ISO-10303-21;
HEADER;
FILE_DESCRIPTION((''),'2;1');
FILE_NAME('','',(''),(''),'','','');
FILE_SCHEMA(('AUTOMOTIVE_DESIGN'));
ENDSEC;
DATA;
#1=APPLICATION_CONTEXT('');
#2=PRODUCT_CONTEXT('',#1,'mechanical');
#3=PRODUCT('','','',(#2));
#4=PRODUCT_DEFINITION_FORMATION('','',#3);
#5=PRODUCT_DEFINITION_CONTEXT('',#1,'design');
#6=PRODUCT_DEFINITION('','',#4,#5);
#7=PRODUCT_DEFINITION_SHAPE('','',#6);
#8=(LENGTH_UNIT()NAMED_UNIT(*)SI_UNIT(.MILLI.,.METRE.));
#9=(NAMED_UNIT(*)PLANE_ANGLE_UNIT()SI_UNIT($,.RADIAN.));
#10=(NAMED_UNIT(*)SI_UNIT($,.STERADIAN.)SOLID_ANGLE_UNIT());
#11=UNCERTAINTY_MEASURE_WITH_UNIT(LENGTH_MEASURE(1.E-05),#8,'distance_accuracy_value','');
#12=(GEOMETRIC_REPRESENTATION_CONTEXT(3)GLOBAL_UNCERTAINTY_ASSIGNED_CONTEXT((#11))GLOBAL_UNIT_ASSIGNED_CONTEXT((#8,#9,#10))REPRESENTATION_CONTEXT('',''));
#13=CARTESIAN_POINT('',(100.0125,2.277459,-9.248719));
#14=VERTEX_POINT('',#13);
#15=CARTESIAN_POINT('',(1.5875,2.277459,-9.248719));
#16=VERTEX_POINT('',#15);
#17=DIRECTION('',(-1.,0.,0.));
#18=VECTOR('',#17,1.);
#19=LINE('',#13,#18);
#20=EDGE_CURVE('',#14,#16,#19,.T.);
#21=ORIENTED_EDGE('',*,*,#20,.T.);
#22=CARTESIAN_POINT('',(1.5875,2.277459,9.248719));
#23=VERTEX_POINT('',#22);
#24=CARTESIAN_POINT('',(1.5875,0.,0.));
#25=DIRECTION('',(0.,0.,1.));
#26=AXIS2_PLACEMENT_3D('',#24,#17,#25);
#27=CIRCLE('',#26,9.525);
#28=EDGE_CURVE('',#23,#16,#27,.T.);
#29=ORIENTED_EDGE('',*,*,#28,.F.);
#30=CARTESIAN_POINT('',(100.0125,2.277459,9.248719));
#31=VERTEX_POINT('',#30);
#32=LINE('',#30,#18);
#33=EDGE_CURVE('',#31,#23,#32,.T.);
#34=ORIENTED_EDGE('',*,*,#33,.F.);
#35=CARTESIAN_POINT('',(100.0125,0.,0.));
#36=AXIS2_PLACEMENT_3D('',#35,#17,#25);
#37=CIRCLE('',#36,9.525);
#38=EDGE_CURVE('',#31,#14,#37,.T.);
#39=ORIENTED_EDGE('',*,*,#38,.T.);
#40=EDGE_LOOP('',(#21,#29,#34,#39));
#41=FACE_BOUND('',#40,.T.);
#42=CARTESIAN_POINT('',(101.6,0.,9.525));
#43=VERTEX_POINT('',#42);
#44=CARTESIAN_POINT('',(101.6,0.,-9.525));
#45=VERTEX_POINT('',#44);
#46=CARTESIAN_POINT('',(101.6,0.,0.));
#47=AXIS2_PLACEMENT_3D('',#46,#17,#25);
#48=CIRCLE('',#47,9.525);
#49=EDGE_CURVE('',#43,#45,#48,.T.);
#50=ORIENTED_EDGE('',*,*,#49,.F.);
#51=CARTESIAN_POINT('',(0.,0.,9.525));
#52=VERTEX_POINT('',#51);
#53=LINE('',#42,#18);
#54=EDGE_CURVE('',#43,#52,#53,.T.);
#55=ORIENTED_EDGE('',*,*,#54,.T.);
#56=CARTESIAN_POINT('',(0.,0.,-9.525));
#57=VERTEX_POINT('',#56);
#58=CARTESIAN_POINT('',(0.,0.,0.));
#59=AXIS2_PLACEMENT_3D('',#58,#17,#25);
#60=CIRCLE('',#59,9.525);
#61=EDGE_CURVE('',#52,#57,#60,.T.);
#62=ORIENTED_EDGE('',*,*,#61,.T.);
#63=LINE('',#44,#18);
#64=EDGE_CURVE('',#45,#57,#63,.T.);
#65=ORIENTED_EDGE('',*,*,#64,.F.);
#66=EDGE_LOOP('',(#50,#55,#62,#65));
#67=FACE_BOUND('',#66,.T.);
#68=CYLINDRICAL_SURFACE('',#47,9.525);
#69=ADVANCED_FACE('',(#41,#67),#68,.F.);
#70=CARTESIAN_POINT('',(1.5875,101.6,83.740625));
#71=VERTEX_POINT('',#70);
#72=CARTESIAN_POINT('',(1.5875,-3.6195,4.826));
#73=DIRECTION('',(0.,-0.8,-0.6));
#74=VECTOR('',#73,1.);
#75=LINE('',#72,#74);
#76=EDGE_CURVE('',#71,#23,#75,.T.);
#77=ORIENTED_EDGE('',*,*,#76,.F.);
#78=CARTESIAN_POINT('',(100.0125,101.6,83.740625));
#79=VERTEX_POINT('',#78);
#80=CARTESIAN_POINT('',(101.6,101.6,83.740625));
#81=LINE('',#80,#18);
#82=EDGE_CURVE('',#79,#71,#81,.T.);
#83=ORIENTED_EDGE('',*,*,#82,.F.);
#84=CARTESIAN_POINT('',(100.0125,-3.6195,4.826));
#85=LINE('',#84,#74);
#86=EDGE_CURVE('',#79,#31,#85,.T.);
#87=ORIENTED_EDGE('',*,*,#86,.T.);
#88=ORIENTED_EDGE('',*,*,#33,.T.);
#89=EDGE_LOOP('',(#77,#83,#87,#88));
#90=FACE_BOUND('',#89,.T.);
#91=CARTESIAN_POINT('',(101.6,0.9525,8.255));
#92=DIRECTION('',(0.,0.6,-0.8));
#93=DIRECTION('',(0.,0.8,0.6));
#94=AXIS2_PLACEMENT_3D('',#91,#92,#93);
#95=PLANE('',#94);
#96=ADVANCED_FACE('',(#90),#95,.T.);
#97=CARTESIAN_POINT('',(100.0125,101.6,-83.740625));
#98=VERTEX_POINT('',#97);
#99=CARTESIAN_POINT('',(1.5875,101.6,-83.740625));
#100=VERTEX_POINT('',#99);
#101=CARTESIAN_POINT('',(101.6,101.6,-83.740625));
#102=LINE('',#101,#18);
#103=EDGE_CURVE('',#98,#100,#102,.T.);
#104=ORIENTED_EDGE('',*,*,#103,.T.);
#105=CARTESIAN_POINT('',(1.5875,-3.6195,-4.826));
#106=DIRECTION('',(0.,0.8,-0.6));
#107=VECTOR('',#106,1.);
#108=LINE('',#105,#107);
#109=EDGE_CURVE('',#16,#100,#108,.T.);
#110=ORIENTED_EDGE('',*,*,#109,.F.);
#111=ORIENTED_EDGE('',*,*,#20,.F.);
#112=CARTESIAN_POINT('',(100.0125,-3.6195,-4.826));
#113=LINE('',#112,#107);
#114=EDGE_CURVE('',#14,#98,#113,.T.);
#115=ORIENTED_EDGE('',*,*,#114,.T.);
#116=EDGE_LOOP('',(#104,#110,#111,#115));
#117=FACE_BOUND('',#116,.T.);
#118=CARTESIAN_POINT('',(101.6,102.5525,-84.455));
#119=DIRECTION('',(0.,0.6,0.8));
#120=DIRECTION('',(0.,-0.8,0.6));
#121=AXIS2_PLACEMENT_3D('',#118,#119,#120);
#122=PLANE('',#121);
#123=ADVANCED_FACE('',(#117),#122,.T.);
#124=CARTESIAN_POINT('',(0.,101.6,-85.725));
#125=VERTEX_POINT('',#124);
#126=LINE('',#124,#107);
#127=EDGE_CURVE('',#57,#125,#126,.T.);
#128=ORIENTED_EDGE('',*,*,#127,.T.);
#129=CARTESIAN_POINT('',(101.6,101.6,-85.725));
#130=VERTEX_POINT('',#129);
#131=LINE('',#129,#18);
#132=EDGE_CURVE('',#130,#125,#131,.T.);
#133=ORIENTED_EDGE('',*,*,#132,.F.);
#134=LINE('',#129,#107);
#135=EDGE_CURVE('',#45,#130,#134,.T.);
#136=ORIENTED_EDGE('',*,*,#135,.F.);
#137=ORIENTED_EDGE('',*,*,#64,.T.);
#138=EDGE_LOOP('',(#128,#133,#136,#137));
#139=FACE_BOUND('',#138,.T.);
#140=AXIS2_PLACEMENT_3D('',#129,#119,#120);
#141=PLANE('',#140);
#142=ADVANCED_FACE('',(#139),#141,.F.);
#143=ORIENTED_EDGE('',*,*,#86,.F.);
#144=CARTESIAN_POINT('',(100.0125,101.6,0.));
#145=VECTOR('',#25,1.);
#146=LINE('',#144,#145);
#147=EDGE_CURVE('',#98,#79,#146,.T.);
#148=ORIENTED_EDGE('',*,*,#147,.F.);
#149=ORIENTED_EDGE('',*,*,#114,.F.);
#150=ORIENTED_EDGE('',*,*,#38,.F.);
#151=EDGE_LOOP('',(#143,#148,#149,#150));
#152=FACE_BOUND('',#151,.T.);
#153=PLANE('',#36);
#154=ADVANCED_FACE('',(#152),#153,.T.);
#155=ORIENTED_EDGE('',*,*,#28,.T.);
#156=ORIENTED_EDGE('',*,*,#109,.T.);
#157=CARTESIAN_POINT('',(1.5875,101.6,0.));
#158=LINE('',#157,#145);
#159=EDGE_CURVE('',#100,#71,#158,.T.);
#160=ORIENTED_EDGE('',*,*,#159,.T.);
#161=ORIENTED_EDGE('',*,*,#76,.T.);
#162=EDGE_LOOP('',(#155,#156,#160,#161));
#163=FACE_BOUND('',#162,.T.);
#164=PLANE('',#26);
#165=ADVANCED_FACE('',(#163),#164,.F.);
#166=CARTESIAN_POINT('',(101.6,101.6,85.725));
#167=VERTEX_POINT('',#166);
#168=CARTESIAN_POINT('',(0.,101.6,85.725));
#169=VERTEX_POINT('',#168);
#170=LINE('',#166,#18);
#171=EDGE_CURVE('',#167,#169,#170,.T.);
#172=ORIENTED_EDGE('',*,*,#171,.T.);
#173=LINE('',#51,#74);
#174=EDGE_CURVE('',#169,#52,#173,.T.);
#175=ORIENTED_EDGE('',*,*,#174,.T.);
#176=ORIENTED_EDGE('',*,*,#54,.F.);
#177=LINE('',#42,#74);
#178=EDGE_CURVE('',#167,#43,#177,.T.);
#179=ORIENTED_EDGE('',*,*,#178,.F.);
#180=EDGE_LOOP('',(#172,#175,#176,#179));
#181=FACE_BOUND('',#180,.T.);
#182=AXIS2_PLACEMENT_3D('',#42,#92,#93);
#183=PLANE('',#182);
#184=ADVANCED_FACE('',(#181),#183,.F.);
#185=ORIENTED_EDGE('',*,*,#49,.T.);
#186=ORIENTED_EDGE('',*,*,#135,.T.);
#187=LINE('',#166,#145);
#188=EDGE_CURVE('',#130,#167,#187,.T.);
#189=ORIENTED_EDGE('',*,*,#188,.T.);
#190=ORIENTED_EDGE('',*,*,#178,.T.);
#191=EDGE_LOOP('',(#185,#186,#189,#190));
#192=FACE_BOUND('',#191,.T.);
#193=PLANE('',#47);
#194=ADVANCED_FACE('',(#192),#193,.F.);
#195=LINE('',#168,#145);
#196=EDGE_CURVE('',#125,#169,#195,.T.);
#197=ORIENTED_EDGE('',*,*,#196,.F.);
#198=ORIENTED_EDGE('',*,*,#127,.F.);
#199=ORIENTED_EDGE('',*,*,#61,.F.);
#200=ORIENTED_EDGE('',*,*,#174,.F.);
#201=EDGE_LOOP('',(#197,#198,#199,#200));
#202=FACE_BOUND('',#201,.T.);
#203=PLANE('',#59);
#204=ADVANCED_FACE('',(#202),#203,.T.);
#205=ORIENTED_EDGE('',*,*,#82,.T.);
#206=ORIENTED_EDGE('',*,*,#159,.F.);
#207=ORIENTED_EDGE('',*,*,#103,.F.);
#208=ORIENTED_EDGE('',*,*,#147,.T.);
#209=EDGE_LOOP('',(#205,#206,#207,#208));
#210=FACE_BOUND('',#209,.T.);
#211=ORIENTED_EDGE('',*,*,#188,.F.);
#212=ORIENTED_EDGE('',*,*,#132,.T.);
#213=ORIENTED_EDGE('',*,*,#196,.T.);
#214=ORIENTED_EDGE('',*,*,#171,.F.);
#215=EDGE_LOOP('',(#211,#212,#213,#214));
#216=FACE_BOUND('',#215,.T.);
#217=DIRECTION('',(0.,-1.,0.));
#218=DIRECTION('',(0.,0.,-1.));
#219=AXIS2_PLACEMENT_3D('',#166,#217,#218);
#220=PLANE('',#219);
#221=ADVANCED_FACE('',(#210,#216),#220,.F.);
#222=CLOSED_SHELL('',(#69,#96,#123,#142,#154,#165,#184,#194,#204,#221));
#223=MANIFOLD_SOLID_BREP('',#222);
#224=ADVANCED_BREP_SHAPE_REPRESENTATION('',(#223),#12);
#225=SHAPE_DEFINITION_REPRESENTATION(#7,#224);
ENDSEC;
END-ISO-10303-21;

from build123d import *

# Parameters (mm, degrees)
BOSS_EXTRUDE1_DEPTH = 101.6
SHELL3_T            = -1.5875


with BuildPart() as part:
    # Sketch1 → Boss-Extrude1 (new body)
    with BuildSketch(Plane(origin=(0, 0, 0), x_dir=(0, 0, -1), z_dir=(1, 0, 0))):
        with BuildLine():
            Line((-9.525, 0), (-85.725, 101.6))
            Line((-85.725, 101.6), (85.725, 101.6))
            Line((85.725, 101.6), (9.525, 0))
            ThreePointArc((9.525, 0), (0, 9.525), (-9.525, 0))
        make_face()
    extrude(amount=BOSS_EXTRUDE1_DEPTH)

    # Shell3
    shell3_openings = [part.faces().sort_by_distance(p)[0] for p in [
        (50.8, 101.6, 0),
        (50.8, 4.7625, 0),
    ]]
    offset(amount=SHELL3_T, openings=shell3_openings, kind=Kind.INTERSECTION)


solid = part.part
